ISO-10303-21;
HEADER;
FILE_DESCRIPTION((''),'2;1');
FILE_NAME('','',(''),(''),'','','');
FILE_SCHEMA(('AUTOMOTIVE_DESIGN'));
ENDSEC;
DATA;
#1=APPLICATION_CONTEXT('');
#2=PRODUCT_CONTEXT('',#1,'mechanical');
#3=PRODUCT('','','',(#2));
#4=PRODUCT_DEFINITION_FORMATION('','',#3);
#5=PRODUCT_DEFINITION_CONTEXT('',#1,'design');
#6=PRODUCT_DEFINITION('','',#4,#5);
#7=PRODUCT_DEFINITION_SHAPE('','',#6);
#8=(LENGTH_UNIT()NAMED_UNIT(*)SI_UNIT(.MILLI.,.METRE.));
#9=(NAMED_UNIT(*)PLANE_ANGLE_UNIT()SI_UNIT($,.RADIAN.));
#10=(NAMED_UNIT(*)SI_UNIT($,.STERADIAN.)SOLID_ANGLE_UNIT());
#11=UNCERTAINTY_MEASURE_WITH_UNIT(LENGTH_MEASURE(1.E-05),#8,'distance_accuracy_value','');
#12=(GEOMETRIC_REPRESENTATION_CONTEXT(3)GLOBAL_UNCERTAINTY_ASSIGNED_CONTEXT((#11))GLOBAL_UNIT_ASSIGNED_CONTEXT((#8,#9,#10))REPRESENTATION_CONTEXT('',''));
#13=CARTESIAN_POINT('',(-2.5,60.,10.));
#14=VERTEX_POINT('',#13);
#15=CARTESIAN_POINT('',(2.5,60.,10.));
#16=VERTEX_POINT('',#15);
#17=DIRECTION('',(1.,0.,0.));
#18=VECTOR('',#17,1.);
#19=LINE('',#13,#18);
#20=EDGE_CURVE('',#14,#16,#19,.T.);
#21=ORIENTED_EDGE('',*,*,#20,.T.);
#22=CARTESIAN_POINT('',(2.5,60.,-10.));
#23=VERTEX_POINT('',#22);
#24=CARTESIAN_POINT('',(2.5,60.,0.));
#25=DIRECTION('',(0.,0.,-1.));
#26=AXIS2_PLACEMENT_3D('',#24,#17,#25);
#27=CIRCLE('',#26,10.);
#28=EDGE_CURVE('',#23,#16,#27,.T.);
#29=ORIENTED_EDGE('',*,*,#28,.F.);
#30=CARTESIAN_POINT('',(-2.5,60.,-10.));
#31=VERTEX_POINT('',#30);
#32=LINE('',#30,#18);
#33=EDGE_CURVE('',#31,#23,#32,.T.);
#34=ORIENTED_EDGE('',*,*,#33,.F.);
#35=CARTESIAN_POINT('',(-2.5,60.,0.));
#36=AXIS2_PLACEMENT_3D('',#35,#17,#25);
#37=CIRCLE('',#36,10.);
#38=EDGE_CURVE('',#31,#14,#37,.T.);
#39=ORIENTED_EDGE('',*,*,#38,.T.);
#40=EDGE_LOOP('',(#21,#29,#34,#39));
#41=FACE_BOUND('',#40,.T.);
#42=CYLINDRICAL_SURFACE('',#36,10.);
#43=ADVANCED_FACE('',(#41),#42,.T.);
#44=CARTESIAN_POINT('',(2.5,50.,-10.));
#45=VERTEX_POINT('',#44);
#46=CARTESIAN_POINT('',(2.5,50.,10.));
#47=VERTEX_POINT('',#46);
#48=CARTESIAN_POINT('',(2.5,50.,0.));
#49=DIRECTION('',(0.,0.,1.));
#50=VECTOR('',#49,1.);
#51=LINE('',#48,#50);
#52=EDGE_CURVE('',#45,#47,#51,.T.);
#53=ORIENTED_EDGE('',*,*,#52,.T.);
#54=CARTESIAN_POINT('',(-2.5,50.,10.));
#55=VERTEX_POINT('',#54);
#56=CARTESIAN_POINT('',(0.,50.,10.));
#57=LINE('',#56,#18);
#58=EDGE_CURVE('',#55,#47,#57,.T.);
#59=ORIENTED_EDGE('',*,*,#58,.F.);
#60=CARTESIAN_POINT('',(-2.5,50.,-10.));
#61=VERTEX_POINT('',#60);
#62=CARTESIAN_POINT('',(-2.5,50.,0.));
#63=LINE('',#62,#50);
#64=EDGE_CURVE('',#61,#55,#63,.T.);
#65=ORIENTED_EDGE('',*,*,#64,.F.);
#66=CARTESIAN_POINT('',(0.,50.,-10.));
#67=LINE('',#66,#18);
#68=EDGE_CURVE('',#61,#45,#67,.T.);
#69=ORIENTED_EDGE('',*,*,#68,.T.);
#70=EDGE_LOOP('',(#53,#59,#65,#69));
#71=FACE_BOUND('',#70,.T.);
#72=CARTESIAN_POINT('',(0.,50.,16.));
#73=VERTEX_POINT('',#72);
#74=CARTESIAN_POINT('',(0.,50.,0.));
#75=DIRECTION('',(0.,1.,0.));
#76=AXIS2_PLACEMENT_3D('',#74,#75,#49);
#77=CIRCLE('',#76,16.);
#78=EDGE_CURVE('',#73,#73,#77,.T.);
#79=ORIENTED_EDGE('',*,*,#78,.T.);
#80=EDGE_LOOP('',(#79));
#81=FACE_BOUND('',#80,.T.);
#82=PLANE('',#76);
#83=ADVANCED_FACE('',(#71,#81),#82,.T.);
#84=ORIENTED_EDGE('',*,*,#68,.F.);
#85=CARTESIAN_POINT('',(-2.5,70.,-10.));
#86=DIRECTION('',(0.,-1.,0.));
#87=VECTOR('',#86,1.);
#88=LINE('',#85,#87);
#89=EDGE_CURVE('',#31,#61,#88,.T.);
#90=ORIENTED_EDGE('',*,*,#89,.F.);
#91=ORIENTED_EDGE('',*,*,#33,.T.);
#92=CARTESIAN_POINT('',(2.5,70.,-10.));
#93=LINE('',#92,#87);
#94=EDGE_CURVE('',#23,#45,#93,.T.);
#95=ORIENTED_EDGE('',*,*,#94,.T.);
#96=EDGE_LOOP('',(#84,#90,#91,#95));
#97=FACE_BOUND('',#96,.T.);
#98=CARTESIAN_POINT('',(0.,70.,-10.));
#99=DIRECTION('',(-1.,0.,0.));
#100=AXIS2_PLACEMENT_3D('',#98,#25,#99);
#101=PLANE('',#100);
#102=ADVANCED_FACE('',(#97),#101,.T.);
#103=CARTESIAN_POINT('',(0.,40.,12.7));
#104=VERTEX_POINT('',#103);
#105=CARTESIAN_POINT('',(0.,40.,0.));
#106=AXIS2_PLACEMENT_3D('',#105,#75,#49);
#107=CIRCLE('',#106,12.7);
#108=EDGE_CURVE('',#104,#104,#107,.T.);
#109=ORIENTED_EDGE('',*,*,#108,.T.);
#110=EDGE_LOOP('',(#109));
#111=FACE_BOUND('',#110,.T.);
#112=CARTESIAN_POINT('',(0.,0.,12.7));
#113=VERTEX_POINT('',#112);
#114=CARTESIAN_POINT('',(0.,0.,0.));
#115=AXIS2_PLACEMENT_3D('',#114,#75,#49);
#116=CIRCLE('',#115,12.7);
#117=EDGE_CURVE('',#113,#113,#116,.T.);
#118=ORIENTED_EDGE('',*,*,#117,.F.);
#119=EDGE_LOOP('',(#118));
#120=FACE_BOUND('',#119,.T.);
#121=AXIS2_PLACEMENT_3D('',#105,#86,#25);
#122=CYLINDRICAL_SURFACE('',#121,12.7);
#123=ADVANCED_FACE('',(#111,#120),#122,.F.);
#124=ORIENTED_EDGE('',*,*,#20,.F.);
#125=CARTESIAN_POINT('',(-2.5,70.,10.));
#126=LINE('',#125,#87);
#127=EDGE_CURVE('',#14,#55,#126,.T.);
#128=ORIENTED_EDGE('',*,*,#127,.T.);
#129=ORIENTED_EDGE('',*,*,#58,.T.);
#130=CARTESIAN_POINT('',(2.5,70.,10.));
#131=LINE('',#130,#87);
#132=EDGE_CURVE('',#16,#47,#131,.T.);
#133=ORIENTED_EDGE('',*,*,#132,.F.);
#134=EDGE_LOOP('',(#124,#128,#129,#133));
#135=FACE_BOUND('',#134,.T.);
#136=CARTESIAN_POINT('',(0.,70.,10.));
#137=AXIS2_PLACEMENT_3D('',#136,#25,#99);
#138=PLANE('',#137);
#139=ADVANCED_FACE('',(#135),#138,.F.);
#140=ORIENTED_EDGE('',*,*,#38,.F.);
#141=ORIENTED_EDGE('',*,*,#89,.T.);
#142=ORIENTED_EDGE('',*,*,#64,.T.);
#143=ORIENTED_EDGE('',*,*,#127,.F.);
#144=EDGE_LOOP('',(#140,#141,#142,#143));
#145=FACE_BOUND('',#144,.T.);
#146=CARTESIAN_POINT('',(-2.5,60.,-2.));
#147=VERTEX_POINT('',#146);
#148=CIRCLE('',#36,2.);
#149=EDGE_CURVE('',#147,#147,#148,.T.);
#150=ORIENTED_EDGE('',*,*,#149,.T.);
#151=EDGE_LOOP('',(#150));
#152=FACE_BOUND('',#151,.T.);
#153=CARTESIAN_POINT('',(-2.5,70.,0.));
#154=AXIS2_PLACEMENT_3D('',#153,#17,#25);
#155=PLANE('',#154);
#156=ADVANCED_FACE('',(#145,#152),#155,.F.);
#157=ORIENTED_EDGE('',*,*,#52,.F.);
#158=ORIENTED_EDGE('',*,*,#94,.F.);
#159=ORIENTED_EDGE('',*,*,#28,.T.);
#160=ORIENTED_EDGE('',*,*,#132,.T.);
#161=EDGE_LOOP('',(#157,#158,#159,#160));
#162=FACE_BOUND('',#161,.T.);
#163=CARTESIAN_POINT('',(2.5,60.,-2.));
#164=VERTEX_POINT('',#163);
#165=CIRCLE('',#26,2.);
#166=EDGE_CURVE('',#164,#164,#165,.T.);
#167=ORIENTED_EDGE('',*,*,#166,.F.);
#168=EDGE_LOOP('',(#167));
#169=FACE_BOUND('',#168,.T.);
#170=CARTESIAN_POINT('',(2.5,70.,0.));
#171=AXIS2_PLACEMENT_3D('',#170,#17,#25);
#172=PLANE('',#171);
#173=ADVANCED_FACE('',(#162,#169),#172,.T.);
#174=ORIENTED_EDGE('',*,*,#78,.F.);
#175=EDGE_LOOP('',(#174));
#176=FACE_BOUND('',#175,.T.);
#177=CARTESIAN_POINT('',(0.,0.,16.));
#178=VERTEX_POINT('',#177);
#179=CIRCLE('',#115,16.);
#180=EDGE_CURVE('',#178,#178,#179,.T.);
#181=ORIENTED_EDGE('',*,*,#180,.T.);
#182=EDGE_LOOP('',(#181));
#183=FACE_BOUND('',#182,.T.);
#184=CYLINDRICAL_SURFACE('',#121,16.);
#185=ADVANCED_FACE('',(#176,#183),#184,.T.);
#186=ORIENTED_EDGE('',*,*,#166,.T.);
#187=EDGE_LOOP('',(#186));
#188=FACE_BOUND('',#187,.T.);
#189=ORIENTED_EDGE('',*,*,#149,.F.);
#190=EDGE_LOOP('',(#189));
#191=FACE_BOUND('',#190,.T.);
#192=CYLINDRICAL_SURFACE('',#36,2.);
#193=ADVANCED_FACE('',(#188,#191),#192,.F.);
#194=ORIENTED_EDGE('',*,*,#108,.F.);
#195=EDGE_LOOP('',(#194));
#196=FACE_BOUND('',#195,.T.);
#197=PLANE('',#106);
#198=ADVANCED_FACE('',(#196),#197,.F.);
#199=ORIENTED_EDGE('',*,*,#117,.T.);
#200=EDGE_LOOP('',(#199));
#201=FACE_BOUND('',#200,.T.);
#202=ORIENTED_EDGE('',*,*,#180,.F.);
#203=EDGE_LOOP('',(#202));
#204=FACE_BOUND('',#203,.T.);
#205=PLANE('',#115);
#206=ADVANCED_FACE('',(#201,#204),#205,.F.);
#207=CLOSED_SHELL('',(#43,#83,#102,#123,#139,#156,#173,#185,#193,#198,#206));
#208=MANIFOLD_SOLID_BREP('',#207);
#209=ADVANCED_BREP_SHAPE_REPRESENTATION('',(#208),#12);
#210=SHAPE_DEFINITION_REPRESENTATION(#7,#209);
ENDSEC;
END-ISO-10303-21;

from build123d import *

# Parameters (mm, degrees)
SKETCH1_R           = 16
SKETCH1_R_2         = 12.7
BOSS_EXTRUDE1_DEPTH = 40
SKETCH2_R           = 16
BOSS_EXTRUDE2_DEPTH = 10
BOSS_EXTRUDE3_DEPTH = 20
CUT_EXTRUDE1_DEPTH  = 5


with BuildPart() as part:
    # Sketch1 → Boss-Extrude1 (new body)
    with BuildSketch(Plane(origin=(0, 0, 0), x_dir=(1, 0, 0), z_dir=(0, 1, 0))):
        with Locations(Location((0, 0, 0), (0, 0, 270))):
            Circle(SKETCH1_R)
        with Locations(Location((0, 0, 0), (0, 0, 270))):
            Circle(SKETCH1_R_2, mode=Mode.SUBTRACT)
    extrude(amount=BOSS_EXTRUDE1_DEPTH)

    # Sketch2 → Boss-Extrude2 (add)
    with BuildSketch(Plane(origin=(0, 40, 0), x_dir=(1, 0, 0), z_dir=(0, 1, 0))):
        with Locations(Location((0, 0, 0), (0, 0, 270))):
            Circle(SKETCH2_R)
    extrude(amount=BOSS_EXTRUDE2_DEPTH)

    # Sketch3 → Boss-Extrude3 (add)
    with BuildSketch(Plane(origin=(0, 50, 0), x_dir=(1, 0, 0), z_dir=(0, 1, 0))):
        Polygon((0, -10), (0, 0), (0, 10), (-2.5, 10), (-2.5, -10), align=None)
        Polygon((0, 10), (0, 0), (0, -10), (2.5, -10), (2.5, 10), align=None)
    extrude(amount=BOSS_EXTRUDE3_DEPTH)

    # Sketch4 → Cut-Extrude1 (cut)
    with BuildSketch(Plane(origin=(2.5, 0, 0), x_dir=(0, 0, -1), z_dir=(1, 0, 0))):
        with BuildLine():
            Line((0, 70), (-10, 70))
            Line((-10, 70), (-10, 60))
            ThreePointArc((-10, 60), (-7.071067812, 67.071067812), (0, 70))
        make_face()
        with BuildLine():
            Line((10, 70), (0, 70))
            ThreePointArc((0, 70), (7.071067812, 67.071067812), (10, 60))
            Line((10, 60), (10, 70))
        make_face()
        with BuildLine():
            ThreePointArc((2, 60), (1.414213562, 61.414213562), (0, 62))
            Line((0, 62), (0, 58))
            ThreePointArc((0, 58), (1.414213562, 58.585786438), (2, 60))
        make_face()
        with BuildLine():
            Line((0, 58), (0, 62))
            ThreePointArc((0, 62), (-2, 60), (0, 58))
        make_face()
    extrude(amount=-CUT_EXTRUDE1_DEPTH, mode=Mode.SUBTRACT)


solid = part.part
